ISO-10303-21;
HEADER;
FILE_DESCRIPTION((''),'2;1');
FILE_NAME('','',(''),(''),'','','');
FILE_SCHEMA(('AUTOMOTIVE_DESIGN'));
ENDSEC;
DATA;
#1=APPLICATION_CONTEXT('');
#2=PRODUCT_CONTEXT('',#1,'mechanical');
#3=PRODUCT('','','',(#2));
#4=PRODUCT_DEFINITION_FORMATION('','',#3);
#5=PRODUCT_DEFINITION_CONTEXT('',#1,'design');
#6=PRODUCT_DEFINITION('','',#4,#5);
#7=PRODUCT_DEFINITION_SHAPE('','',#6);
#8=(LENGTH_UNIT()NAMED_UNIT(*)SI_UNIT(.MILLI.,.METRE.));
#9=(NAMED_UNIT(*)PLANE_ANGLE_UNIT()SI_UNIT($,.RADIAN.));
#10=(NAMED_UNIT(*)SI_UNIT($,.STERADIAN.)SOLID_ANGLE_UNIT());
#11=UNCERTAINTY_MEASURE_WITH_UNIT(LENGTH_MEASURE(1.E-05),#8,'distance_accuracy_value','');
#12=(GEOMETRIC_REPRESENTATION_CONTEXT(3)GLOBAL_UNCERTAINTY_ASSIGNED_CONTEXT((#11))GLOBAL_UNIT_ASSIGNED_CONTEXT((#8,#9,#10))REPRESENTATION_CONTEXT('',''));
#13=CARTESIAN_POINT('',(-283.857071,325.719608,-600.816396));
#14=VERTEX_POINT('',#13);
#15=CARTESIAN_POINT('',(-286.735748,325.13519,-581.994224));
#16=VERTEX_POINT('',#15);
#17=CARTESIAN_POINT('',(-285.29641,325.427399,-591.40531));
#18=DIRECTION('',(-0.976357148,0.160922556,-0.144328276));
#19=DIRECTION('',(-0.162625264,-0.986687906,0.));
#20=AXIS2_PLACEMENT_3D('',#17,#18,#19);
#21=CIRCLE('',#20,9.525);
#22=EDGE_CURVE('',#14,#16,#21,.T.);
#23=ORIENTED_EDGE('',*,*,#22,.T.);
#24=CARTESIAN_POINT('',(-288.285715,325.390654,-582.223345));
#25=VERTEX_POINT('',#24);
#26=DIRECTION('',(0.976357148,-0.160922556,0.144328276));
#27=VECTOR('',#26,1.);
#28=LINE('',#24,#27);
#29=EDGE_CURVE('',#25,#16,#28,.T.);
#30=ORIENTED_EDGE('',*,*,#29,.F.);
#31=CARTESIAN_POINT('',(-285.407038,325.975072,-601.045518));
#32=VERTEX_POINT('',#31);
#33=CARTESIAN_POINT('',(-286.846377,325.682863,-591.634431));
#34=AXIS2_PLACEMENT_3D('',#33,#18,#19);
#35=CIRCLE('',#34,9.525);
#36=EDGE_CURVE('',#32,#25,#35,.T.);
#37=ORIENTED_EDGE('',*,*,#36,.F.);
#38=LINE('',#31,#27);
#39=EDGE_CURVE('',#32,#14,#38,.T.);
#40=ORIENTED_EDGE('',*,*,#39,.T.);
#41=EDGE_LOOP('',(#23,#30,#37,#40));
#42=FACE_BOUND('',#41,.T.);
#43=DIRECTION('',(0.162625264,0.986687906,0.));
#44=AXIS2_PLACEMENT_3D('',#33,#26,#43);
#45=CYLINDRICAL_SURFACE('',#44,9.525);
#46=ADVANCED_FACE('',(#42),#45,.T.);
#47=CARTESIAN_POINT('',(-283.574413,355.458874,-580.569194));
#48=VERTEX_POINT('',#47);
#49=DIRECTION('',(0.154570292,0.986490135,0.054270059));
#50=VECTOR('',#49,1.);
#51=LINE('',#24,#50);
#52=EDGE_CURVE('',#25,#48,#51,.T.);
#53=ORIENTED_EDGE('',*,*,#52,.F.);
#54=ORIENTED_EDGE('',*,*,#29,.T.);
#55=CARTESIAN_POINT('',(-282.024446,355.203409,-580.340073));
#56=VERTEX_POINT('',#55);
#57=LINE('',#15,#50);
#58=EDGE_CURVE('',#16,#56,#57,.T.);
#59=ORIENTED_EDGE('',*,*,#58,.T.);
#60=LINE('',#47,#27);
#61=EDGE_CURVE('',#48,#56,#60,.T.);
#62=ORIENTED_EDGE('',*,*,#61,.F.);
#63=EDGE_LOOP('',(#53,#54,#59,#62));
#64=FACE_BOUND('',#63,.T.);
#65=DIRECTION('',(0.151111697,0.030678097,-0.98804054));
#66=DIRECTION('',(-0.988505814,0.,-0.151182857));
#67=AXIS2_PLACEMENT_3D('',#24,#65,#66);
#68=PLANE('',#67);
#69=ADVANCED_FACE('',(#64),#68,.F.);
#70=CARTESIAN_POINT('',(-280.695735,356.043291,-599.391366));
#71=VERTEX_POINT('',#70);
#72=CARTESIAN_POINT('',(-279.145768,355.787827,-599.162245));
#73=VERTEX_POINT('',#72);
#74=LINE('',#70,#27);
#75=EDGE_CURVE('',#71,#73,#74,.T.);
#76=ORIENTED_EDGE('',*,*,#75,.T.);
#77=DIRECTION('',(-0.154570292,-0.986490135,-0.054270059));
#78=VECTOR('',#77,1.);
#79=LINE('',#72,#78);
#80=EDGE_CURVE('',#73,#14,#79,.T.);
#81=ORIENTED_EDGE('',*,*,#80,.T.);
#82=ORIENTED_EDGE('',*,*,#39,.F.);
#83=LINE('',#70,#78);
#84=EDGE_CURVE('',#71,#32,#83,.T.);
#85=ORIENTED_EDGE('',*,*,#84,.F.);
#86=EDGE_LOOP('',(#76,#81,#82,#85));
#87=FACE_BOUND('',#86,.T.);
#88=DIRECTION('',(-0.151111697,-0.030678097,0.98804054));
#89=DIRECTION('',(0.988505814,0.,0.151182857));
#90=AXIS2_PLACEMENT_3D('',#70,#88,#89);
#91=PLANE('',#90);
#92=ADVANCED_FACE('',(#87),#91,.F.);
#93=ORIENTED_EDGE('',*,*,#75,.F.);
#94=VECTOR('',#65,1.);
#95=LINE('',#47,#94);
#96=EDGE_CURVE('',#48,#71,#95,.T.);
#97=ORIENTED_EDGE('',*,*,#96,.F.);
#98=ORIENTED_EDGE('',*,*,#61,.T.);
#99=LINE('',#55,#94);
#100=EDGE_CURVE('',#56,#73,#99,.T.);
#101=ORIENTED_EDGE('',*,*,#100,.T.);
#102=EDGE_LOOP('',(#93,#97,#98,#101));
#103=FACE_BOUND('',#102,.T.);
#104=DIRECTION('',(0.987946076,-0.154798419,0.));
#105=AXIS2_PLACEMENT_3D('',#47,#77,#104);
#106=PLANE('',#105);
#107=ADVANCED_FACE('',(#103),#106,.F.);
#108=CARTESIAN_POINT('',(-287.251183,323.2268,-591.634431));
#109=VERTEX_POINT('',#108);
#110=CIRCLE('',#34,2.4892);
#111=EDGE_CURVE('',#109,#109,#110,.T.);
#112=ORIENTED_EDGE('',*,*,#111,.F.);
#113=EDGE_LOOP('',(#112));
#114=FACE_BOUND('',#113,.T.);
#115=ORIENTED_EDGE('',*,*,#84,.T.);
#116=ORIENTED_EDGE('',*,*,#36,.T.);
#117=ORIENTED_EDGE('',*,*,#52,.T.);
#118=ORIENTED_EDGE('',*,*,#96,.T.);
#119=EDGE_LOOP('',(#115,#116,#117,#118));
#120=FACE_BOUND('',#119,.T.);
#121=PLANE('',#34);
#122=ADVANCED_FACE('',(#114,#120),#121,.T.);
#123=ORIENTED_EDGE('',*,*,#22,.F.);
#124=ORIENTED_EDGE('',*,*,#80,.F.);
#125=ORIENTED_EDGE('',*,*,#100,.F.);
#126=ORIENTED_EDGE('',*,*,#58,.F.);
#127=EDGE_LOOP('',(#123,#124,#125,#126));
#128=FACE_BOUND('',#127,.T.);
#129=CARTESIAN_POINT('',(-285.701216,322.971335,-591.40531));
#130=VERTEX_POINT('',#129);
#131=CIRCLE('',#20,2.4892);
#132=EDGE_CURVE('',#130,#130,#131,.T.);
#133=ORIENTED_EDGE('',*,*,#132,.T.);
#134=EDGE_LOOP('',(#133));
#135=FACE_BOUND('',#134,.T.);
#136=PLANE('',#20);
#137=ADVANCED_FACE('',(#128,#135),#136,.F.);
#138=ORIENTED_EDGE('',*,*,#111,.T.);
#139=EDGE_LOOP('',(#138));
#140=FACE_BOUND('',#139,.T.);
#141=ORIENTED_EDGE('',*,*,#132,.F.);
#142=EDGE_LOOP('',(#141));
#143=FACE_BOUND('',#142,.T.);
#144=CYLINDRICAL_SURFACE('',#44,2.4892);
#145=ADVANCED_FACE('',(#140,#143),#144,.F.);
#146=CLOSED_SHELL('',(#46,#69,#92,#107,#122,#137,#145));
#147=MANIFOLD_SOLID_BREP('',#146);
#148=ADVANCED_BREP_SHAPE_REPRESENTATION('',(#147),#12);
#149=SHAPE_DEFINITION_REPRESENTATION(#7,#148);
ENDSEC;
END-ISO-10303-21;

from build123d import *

# Parameters (mm, degrees)
SKETCH2_R           = 2.4892
BOSS_EXTRUDE1_DEPTH = 1.5875


with BuildPart() as part:
    # Sketch2 → Boss-Extrude1 (new body)
    with BuildSketch(Plane(origin=(-406.434347041, 66.988247001, -60.080441698), x_dir=(-0.14240696456357832, 0.02347142407205886, 0.9895298624578327), z_dir=(-0.9763571476802022, 0.16092255550294132, -0.1443282761768555))):
        with BuildLine():
            Line((-544.785785419, 305.655391385), (-546.457439277, 275.221266239))
            ThreePointArc((-546.457439277, 275.221266239), (-537.469166999, 265.1882103), (-527.436111061, 274.176482578))
            Line((-527.436111061, 274.176482578), (-525.764457203, 304.610607723))
            Line((-525.764457203, 304.610607723), (-544.785785419, 305.655391385))
        make_face()
        with Locations(Location((-536.946775169, 274.698874408, 0), (0, 0, 270))):
            Circle(SKETCH2_R, mode=Mode.SUBTRACT)
    extrude(amount=BOSS_EXTRUDE1_DEPTH)


solid = part.part
